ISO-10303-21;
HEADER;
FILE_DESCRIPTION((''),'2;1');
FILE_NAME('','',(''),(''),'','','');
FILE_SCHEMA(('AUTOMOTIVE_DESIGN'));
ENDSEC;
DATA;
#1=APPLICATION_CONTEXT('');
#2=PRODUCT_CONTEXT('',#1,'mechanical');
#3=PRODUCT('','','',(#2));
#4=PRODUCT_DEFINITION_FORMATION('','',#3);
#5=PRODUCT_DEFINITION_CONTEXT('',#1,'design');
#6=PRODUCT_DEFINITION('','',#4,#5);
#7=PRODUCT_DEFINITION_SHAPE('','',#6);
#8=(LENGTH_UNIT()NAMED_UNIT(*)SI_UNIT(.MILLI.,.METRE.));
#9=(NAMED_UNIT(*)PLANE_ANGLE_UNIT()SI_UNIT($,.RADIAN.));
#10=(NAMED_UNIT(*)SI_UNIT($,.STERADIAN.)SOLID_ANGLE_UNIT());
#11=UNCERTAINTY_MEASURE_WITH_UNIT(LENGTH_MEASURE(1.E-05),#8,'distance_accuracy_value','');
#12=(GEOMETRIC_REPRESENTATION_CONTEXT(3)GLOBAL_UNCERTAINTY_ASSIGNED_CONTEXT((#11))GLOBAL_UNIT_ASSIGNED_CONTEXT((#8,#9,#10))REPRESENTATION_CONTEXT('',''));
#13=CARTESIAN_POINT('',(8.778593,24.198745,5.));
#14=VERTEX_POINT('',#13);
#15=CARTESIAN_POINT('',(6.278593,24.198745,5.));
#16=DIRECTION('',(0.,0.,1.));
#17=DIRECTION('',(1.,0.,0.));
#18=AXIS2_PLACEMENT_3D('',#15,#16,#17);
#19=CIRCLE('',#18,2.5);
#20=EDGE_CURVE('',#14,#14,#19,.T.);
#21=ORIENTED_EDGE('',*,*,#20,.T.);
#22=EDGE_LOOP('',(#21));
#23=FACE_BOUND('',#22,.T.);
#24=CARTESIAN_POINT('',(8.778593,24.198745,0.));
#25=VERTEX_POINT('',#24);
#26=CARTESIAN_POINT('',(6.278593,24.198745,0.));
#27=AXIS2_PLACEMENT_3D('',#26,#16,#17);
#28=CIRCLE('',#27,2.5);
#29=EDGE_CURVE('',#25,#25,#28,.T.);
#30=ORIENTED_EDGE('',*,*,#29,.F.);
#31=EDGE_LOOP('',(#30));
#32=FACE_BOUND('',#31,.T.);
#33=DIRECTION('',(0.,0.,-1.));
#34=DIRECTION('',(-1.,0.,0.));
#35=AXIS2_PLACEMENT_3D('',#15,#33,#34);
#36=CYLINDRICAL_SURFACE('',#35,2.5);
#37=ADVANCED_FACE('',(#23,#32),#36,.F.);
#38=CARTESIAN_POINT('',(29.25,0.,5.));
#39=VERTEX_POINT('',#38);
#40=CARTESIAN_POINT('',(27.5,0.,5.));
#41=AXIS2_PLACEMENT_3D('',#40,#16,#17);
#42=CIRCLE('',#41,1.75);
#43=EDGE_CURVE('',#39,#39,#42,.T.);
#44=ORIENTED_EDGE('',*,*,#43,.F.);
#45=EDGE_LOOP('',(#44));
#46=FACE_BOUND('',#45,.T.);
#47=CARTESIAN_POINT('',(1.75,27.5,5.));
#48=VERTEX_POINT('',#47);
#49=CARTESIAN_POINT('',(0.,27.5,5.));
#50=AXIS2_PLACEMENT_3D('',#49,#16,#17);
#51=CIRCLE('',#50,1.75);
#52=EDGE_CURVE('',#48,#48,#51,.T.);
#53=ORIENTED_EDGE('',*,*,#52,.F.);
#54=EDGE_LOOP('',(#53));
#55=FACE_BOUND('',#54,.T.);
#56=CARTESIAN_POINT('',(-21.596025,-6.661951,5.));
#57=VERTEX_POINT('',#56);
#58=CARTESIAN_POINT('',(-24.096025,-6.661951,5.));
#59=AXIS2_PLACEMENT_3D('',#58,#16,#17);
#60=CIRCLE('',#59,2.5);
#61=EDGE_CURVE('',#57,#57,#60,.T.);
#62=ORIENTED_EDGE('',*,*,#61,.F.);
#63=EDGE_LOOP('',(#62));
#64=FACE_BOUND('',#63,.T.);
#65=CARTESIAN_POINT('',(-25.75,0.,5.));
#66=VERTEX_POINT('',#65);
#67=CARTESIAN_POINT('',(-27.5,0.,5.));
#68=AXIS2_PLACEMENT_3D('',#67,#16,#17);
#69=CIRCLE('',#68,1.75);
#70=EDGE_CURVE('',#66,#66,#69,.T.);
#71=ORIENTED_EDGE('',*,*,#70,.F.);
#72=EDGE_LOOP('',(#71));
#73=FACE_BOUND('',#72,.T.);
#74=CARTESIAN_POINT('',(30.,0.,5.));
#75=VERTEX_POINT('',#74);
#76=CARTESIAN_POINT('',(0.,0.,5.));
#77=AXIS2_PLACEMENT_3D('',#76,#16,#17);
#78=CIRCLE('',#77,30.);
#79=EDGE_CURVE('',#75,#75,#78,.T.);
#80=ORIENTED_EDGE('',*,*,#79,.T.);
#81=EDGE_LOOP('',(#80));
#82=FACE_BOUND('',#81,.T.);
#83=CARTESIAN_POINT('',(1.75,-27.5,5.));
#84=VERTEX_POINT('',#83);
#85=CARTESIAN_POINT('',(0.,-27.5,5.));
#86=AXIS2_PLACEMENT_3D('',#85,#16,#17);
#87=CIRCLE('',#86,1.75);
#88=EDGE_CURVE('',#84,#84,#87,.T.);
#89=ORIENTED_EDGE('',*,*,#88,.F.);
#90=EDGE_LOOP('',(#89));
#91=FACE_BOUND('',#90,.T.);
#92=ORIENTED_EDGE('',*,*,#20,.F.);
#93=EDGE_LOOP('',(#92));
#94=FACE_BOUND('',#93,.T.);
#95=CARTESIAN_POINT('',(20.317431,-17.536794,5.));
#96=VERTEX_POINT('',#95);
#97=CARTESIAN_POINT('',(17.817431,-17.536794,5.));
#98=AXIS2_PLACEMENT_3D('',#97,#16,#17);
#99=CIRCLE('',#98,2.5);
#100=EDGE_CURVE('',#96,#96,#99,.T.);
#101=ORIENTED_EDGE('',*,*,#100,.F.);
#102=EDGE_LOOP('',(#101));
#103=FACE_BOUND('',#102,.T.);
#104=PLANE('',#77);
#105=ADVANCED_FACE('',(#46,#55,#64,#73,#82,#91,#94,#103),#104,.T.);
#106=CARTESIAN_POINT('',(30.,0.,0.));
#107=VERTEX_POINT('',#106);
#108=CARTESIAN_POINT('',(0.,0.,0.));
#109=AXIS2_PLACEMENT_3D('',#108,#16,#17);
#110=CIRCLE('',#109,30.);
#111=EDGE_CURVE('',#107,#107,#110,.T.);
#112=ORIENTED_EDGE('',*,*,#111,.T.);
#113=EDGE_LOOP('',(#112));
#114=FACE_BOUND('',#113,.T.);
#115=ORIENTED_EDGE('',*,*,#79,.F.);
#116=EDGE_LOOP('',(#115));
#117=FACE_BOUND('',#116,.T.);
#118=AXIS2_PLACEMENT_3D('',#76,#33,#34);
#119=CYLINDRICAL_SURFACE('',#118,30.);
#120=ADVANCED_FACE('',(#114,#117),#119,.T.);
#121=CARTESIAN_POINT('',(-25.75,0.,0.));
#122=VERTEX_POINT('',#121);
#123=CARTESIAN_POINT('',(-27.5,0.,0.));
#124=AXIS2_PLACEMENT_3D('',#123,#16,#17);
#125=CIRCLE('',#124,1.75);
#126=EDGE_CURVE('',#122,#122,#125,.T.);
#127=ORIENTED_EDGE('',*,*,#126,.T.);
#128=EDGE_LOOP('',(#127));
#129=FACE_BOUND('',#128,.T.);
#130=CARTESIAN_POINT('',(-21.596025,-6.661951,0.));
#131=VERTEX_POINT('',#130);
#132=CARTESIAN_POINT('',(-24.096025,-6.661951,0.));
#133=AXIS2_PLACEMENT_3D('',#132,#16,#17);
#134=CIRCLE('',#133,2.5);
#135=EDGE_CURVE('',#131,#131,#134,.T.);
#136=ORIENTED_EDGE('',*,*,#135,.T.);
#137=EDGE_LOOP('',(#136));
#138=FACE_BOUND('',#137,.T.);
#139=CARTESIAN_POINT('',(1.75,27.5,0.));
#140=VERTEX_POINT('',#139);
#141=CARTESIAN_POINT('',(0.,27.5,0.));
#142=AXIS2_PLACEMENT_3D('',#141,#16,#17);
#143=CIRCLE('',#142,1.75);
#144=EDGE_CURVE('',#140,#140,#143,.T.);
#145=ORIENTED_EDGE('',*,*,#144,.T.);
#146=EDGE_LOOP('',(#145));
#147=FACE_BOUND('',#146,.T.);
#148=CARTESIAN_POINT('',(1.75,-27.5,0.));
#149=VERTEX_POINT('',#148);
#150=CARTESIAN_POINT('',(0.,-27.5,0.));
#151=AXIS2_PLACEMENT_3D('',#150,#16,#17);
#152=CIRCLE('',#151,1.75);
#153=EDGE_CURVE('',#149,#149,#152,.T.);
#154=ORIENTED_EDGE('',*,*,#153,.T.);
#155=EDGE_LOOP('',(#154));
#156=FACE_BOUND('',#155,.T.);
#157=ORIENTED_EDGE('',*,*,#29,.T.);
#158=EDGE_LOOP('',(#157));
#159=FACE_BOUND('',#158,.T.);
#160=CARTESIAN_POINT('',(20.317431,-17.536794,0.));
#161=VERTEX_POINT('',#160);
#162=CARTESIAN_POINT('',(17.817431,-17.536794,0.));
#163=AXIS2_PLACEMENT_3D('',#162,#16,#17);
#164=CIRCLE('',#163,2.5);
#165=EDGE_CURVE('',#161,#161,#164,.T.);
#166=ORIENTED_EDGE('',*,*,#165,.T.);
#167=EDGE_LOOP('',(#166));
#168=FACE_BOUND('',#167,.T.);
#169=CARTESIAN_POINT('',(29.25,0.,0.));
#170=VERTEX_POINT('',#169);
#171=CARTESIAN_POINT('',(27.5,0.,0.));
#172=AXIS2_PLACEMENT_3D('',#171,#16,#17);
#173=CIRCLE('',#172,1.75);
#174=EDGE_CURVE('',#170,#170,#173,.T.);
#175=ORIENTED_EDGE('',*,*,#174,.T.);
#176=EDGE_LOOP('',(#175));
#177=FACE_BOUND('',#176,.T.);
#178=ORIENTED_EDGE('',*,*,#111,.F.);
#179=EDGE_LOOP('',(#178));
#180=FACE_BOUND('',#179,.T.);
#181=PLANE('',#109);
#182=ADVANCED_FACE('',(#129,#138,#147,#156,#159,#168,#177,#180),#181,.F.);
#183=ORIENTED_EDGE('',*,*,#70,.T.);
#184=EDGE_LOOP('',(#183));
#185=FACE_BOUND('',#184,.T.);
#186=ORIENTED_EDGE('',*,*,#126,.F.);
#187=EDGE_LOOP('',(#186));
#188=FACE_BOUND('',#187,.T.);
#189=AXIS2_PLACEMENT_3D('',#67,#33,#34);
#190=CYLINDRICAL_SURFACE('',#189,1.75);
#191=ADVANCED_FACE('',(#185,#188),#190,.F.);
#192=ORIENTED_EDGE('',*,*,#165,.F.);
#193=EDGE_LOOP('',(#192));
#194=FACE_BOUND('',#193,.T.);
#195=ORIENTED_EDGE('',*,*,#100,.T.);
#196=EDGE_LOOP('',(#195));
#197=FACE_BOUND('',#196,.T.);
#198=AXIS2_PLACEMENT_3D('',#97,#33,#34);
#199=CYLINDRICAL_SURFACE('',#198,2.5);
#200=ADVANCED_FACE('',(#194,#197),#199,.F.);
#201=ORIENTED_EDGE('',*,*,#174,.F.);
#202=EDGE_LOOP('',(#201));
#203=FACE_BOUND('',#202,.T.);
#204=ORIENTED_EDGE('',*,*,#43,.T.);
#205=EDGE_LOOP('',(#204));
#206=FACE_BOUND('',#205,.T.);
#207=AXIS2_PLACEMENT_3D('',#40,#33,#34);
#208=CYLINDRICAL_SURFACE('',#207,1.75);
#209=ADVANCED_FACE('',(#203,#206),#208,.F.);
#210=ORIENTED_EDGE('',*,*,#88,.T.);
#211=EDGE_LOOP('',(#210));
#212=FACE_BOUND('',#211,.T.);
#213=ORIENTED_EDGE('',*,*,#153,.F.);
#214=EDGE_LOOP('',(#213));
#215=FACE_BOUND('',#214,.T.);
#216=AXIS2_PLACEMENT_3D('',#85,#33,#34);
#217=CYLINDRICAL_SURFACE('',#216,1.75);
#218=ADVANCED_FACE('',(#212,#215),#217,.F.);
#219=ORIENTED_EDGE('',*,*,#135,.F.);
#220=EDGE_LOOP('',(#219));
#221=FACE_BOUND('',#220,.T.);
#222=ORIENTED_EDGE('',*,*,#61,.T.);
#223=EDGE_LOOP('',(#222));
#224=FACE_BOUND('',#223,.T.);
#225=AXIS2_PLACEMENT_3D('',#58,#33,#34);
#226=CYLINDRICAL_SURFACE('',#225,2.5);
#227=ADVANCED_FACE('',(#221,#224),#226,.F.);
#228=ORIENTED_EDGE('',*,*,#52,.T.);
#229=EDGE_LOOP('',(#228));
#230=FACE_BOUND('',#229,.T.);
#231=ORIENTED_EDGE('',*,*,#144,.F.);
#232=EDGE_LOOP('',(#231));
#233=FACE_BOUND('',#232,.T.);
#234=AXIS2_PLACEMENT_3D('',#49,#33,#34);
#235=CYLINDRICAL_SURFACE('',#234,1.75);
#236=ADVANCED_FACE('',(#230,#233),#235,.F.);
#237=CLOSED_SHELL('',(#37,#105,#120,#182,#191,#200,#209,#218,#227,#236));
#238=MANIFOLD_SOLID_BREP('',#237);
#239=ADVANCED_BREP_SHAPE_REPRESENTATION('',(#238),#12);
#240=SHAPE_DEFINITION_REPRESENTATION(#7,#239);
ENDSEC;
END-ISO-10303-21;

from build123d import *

# Parameters (mm, degrees)
SKETCH1_R           = 30
SKETCH1_R_2         = 1.75
SKETCH1_R_3         = 2.5
BOSS_EXTRUDE1_DEPTH = 5


with BuildPart() as part:
    # Sketch1 → Boss-Extrude1 (new body)
    with BuildSketch(Plane.XY):
        Circle(SKETCH1_R)
        with Locations((0, 27.5)):
            Circle(SKETCH1_R_2, mode=Mode.SUBTRACT)
        with Locations((27.5, 0)):
            Circle(SKETCH1_R_2, mode=Mode.SUBTRACT)
        with Locations((0, -27.5)):
            Circle(SKETCH1_R_2, mode=Mode.SUBTRACT)
        with Locations((-27.5, 0)):
            Circle(SKETCH1_R_2, mode=Mode.SUBTRACT)
        with Locations((6.278593331, 24.198745128)):
            Circle(SKETCH1_R_3, mode=Mode.SUBTRACT)
        with Locations((17.817431356, -17.536793889)):
            Circle(SKETCH1_R_3, mode=Mode.SUBTRACT)
        with Locations((-24.096024686, -6.66195124)):
            Circle(SKETCH1_R_3, mode=Mode.SUBTRACT)
    extrude(amount=BOSS_EXTRUDE1_DEPTH)


solid = part.part
